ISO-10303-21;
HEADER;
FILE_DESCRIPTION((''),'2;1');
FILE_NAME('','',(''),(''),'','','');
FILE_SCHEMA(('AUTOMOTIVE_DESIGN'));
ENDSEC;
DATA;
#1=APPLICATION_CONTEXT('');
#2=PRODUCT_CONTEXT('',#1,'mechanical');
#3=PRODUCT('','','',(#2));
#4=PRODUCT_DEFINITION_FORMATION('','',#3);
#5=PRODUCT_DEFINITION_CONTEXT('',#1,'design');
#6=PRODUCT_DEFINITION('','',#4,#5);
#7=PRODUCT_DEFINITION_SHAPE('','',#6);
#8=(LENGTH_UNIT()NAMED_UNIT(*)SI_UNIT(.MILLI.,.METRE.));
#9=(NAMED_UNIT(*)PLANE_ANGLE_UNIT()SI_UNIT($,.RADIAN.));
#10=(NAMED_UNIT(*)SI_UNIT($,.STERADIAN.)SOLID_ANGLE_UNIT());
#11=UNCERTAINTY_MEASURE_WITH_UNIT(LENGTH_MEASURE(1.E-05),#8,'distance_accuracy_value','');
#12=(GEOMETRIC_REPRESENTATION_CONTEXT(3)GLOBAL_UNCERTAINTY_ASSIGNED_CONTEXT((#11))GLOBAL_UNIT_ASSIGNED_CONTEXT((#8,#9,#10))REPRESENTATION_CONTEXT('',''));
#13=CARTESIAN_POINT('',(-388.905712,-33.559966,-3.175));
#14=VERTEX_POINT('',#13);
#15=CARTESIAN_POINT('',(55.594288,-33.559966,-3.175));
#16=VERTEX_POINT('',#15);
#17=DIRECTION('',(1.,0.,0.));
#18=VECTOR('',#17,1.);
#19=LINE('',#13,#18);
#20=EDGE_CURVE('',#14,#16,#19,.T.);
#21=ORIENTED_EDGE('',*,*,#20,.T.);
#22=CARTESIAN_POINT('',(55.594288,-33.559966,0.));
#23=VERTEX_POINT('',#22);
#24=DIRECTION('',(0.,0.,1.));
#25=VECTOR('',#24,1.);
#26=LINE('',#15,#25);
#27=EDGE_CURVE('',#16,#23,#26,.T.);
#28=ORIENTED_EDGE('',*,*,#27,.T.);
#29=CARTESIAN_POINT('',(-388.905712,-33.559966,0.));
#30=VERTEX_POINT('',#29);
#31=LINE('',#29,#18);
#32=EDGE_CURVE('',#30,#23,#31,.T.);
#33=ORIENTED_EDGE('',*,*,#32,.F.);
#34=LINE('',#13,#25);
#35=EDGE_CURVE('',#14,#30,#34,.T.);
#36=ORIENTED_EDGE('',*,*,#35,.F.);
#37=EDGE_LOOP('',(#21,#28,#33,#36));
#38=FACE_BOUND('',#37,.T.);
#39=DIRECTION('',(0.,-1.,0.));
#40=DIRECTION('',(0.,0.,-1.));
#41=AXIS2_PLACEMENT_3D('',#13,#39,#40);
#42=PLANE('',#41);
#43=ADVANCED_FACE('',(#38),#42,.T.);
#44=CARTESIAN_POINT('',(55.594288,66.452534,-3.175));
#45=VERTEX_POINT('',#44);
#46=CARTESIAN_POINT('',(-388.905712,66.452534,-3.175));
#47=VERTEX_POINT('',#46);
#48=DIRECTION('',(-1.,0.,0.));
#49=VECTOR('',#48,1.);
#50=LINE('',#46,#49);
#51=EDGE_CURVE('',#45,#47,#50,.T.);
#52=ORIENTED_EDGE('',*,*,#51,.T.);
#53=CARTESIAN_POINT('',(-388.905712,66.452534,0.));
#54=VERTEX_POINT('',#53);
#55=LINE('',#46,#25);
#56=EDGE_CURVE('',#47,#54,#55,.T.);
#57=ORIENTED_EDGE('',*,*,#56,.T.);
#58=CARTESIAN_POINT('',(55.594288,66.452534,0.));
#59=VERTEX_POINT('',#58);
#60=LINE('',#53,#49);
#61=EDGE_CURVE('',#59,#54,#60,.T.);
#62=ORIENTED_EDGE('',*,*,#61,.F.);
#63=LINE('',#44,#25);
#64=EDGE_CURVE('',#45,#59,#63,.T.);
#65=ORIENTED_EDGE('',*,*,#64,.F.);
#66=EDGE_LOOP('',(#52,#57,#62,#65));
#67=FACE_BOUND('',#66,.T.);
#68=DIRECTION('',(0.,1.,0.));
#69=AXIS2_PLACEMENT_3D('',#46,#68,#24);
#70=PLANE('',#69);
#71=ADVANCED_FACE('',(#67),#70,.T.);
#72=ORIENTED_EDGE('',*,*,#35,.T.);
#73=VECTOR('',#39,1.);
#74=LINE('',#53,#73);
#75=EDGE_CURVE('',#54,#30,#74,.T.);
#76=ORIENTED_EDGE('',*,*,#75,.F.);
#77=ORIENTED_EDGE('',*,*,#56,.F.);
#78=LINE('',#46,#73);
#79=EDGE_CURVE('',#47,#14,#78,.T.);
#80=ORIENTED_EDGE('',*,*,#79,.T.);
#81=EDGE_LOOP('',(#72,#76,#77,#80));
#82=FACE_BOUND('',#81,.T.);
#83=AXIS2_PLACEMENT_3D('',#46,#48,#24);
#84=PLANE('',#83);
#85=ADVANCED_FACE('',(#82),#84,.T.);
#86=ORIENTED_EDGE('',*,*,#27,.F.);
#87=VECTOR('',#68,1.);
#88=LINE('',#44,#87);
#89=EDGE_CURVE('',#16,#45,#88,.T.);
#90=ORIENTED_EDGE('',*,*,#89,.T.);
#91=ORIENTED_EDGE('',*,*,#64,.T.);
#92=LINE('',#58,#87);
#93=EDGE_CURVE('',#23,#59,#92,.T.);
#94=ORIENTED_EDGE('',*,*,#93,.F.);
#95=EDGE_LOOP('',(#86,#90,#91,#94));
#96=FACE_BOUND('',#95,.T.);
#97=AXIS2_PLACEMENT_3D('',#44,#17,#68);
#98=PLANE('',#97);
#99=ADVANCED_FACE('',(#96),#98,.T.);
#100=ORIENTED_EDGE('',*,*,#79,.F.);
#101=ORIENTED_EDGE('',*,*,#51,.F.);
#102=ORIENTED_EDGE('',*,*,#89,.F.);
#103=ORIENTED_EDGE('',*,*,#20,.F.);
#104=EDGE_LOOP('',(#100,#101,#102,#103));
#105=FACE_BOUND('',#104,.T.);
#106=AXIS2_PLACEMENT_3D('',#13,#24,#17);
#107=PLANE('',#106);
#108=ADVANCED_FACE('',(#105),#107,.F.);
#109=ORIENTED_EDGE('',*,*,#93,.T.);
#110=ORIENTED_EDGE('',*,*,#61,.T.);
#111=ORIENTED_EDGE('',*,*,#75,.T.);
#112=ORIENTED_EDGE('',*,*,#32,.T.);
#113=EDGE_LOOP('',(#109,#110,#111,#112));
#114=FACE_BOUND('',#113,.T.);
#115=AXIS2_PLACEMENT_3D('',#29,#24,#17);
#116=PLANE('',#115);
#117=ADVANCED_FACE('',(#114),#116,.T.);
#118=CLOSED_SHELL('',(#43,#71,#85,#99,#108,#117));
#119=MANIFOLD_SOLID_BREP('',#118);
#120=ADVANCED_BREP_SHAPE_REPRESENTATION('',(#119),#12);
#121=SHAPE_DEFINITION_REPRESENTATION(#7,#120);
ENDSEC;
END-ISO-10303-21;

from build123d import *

# Parameters (mm, degrees)
SKETCH1_W           = 444.5
SKETCH1_H           = 100.0125
BOSS_EXTRUDE1_DEPTH = 3.175


with BuildPart() as part:
    # Sketch1 → Boss-Extrude1 (new body)
    with BuildSketch(Plane.XY):
        with Locations((-166.655712251, 16.446283615)):
            Rectangle(SKETCH1_W, SKETCH1_H)
    extrude(amount=-BOSS_EXTRUDE1_DEPTH)


solid = part.part
